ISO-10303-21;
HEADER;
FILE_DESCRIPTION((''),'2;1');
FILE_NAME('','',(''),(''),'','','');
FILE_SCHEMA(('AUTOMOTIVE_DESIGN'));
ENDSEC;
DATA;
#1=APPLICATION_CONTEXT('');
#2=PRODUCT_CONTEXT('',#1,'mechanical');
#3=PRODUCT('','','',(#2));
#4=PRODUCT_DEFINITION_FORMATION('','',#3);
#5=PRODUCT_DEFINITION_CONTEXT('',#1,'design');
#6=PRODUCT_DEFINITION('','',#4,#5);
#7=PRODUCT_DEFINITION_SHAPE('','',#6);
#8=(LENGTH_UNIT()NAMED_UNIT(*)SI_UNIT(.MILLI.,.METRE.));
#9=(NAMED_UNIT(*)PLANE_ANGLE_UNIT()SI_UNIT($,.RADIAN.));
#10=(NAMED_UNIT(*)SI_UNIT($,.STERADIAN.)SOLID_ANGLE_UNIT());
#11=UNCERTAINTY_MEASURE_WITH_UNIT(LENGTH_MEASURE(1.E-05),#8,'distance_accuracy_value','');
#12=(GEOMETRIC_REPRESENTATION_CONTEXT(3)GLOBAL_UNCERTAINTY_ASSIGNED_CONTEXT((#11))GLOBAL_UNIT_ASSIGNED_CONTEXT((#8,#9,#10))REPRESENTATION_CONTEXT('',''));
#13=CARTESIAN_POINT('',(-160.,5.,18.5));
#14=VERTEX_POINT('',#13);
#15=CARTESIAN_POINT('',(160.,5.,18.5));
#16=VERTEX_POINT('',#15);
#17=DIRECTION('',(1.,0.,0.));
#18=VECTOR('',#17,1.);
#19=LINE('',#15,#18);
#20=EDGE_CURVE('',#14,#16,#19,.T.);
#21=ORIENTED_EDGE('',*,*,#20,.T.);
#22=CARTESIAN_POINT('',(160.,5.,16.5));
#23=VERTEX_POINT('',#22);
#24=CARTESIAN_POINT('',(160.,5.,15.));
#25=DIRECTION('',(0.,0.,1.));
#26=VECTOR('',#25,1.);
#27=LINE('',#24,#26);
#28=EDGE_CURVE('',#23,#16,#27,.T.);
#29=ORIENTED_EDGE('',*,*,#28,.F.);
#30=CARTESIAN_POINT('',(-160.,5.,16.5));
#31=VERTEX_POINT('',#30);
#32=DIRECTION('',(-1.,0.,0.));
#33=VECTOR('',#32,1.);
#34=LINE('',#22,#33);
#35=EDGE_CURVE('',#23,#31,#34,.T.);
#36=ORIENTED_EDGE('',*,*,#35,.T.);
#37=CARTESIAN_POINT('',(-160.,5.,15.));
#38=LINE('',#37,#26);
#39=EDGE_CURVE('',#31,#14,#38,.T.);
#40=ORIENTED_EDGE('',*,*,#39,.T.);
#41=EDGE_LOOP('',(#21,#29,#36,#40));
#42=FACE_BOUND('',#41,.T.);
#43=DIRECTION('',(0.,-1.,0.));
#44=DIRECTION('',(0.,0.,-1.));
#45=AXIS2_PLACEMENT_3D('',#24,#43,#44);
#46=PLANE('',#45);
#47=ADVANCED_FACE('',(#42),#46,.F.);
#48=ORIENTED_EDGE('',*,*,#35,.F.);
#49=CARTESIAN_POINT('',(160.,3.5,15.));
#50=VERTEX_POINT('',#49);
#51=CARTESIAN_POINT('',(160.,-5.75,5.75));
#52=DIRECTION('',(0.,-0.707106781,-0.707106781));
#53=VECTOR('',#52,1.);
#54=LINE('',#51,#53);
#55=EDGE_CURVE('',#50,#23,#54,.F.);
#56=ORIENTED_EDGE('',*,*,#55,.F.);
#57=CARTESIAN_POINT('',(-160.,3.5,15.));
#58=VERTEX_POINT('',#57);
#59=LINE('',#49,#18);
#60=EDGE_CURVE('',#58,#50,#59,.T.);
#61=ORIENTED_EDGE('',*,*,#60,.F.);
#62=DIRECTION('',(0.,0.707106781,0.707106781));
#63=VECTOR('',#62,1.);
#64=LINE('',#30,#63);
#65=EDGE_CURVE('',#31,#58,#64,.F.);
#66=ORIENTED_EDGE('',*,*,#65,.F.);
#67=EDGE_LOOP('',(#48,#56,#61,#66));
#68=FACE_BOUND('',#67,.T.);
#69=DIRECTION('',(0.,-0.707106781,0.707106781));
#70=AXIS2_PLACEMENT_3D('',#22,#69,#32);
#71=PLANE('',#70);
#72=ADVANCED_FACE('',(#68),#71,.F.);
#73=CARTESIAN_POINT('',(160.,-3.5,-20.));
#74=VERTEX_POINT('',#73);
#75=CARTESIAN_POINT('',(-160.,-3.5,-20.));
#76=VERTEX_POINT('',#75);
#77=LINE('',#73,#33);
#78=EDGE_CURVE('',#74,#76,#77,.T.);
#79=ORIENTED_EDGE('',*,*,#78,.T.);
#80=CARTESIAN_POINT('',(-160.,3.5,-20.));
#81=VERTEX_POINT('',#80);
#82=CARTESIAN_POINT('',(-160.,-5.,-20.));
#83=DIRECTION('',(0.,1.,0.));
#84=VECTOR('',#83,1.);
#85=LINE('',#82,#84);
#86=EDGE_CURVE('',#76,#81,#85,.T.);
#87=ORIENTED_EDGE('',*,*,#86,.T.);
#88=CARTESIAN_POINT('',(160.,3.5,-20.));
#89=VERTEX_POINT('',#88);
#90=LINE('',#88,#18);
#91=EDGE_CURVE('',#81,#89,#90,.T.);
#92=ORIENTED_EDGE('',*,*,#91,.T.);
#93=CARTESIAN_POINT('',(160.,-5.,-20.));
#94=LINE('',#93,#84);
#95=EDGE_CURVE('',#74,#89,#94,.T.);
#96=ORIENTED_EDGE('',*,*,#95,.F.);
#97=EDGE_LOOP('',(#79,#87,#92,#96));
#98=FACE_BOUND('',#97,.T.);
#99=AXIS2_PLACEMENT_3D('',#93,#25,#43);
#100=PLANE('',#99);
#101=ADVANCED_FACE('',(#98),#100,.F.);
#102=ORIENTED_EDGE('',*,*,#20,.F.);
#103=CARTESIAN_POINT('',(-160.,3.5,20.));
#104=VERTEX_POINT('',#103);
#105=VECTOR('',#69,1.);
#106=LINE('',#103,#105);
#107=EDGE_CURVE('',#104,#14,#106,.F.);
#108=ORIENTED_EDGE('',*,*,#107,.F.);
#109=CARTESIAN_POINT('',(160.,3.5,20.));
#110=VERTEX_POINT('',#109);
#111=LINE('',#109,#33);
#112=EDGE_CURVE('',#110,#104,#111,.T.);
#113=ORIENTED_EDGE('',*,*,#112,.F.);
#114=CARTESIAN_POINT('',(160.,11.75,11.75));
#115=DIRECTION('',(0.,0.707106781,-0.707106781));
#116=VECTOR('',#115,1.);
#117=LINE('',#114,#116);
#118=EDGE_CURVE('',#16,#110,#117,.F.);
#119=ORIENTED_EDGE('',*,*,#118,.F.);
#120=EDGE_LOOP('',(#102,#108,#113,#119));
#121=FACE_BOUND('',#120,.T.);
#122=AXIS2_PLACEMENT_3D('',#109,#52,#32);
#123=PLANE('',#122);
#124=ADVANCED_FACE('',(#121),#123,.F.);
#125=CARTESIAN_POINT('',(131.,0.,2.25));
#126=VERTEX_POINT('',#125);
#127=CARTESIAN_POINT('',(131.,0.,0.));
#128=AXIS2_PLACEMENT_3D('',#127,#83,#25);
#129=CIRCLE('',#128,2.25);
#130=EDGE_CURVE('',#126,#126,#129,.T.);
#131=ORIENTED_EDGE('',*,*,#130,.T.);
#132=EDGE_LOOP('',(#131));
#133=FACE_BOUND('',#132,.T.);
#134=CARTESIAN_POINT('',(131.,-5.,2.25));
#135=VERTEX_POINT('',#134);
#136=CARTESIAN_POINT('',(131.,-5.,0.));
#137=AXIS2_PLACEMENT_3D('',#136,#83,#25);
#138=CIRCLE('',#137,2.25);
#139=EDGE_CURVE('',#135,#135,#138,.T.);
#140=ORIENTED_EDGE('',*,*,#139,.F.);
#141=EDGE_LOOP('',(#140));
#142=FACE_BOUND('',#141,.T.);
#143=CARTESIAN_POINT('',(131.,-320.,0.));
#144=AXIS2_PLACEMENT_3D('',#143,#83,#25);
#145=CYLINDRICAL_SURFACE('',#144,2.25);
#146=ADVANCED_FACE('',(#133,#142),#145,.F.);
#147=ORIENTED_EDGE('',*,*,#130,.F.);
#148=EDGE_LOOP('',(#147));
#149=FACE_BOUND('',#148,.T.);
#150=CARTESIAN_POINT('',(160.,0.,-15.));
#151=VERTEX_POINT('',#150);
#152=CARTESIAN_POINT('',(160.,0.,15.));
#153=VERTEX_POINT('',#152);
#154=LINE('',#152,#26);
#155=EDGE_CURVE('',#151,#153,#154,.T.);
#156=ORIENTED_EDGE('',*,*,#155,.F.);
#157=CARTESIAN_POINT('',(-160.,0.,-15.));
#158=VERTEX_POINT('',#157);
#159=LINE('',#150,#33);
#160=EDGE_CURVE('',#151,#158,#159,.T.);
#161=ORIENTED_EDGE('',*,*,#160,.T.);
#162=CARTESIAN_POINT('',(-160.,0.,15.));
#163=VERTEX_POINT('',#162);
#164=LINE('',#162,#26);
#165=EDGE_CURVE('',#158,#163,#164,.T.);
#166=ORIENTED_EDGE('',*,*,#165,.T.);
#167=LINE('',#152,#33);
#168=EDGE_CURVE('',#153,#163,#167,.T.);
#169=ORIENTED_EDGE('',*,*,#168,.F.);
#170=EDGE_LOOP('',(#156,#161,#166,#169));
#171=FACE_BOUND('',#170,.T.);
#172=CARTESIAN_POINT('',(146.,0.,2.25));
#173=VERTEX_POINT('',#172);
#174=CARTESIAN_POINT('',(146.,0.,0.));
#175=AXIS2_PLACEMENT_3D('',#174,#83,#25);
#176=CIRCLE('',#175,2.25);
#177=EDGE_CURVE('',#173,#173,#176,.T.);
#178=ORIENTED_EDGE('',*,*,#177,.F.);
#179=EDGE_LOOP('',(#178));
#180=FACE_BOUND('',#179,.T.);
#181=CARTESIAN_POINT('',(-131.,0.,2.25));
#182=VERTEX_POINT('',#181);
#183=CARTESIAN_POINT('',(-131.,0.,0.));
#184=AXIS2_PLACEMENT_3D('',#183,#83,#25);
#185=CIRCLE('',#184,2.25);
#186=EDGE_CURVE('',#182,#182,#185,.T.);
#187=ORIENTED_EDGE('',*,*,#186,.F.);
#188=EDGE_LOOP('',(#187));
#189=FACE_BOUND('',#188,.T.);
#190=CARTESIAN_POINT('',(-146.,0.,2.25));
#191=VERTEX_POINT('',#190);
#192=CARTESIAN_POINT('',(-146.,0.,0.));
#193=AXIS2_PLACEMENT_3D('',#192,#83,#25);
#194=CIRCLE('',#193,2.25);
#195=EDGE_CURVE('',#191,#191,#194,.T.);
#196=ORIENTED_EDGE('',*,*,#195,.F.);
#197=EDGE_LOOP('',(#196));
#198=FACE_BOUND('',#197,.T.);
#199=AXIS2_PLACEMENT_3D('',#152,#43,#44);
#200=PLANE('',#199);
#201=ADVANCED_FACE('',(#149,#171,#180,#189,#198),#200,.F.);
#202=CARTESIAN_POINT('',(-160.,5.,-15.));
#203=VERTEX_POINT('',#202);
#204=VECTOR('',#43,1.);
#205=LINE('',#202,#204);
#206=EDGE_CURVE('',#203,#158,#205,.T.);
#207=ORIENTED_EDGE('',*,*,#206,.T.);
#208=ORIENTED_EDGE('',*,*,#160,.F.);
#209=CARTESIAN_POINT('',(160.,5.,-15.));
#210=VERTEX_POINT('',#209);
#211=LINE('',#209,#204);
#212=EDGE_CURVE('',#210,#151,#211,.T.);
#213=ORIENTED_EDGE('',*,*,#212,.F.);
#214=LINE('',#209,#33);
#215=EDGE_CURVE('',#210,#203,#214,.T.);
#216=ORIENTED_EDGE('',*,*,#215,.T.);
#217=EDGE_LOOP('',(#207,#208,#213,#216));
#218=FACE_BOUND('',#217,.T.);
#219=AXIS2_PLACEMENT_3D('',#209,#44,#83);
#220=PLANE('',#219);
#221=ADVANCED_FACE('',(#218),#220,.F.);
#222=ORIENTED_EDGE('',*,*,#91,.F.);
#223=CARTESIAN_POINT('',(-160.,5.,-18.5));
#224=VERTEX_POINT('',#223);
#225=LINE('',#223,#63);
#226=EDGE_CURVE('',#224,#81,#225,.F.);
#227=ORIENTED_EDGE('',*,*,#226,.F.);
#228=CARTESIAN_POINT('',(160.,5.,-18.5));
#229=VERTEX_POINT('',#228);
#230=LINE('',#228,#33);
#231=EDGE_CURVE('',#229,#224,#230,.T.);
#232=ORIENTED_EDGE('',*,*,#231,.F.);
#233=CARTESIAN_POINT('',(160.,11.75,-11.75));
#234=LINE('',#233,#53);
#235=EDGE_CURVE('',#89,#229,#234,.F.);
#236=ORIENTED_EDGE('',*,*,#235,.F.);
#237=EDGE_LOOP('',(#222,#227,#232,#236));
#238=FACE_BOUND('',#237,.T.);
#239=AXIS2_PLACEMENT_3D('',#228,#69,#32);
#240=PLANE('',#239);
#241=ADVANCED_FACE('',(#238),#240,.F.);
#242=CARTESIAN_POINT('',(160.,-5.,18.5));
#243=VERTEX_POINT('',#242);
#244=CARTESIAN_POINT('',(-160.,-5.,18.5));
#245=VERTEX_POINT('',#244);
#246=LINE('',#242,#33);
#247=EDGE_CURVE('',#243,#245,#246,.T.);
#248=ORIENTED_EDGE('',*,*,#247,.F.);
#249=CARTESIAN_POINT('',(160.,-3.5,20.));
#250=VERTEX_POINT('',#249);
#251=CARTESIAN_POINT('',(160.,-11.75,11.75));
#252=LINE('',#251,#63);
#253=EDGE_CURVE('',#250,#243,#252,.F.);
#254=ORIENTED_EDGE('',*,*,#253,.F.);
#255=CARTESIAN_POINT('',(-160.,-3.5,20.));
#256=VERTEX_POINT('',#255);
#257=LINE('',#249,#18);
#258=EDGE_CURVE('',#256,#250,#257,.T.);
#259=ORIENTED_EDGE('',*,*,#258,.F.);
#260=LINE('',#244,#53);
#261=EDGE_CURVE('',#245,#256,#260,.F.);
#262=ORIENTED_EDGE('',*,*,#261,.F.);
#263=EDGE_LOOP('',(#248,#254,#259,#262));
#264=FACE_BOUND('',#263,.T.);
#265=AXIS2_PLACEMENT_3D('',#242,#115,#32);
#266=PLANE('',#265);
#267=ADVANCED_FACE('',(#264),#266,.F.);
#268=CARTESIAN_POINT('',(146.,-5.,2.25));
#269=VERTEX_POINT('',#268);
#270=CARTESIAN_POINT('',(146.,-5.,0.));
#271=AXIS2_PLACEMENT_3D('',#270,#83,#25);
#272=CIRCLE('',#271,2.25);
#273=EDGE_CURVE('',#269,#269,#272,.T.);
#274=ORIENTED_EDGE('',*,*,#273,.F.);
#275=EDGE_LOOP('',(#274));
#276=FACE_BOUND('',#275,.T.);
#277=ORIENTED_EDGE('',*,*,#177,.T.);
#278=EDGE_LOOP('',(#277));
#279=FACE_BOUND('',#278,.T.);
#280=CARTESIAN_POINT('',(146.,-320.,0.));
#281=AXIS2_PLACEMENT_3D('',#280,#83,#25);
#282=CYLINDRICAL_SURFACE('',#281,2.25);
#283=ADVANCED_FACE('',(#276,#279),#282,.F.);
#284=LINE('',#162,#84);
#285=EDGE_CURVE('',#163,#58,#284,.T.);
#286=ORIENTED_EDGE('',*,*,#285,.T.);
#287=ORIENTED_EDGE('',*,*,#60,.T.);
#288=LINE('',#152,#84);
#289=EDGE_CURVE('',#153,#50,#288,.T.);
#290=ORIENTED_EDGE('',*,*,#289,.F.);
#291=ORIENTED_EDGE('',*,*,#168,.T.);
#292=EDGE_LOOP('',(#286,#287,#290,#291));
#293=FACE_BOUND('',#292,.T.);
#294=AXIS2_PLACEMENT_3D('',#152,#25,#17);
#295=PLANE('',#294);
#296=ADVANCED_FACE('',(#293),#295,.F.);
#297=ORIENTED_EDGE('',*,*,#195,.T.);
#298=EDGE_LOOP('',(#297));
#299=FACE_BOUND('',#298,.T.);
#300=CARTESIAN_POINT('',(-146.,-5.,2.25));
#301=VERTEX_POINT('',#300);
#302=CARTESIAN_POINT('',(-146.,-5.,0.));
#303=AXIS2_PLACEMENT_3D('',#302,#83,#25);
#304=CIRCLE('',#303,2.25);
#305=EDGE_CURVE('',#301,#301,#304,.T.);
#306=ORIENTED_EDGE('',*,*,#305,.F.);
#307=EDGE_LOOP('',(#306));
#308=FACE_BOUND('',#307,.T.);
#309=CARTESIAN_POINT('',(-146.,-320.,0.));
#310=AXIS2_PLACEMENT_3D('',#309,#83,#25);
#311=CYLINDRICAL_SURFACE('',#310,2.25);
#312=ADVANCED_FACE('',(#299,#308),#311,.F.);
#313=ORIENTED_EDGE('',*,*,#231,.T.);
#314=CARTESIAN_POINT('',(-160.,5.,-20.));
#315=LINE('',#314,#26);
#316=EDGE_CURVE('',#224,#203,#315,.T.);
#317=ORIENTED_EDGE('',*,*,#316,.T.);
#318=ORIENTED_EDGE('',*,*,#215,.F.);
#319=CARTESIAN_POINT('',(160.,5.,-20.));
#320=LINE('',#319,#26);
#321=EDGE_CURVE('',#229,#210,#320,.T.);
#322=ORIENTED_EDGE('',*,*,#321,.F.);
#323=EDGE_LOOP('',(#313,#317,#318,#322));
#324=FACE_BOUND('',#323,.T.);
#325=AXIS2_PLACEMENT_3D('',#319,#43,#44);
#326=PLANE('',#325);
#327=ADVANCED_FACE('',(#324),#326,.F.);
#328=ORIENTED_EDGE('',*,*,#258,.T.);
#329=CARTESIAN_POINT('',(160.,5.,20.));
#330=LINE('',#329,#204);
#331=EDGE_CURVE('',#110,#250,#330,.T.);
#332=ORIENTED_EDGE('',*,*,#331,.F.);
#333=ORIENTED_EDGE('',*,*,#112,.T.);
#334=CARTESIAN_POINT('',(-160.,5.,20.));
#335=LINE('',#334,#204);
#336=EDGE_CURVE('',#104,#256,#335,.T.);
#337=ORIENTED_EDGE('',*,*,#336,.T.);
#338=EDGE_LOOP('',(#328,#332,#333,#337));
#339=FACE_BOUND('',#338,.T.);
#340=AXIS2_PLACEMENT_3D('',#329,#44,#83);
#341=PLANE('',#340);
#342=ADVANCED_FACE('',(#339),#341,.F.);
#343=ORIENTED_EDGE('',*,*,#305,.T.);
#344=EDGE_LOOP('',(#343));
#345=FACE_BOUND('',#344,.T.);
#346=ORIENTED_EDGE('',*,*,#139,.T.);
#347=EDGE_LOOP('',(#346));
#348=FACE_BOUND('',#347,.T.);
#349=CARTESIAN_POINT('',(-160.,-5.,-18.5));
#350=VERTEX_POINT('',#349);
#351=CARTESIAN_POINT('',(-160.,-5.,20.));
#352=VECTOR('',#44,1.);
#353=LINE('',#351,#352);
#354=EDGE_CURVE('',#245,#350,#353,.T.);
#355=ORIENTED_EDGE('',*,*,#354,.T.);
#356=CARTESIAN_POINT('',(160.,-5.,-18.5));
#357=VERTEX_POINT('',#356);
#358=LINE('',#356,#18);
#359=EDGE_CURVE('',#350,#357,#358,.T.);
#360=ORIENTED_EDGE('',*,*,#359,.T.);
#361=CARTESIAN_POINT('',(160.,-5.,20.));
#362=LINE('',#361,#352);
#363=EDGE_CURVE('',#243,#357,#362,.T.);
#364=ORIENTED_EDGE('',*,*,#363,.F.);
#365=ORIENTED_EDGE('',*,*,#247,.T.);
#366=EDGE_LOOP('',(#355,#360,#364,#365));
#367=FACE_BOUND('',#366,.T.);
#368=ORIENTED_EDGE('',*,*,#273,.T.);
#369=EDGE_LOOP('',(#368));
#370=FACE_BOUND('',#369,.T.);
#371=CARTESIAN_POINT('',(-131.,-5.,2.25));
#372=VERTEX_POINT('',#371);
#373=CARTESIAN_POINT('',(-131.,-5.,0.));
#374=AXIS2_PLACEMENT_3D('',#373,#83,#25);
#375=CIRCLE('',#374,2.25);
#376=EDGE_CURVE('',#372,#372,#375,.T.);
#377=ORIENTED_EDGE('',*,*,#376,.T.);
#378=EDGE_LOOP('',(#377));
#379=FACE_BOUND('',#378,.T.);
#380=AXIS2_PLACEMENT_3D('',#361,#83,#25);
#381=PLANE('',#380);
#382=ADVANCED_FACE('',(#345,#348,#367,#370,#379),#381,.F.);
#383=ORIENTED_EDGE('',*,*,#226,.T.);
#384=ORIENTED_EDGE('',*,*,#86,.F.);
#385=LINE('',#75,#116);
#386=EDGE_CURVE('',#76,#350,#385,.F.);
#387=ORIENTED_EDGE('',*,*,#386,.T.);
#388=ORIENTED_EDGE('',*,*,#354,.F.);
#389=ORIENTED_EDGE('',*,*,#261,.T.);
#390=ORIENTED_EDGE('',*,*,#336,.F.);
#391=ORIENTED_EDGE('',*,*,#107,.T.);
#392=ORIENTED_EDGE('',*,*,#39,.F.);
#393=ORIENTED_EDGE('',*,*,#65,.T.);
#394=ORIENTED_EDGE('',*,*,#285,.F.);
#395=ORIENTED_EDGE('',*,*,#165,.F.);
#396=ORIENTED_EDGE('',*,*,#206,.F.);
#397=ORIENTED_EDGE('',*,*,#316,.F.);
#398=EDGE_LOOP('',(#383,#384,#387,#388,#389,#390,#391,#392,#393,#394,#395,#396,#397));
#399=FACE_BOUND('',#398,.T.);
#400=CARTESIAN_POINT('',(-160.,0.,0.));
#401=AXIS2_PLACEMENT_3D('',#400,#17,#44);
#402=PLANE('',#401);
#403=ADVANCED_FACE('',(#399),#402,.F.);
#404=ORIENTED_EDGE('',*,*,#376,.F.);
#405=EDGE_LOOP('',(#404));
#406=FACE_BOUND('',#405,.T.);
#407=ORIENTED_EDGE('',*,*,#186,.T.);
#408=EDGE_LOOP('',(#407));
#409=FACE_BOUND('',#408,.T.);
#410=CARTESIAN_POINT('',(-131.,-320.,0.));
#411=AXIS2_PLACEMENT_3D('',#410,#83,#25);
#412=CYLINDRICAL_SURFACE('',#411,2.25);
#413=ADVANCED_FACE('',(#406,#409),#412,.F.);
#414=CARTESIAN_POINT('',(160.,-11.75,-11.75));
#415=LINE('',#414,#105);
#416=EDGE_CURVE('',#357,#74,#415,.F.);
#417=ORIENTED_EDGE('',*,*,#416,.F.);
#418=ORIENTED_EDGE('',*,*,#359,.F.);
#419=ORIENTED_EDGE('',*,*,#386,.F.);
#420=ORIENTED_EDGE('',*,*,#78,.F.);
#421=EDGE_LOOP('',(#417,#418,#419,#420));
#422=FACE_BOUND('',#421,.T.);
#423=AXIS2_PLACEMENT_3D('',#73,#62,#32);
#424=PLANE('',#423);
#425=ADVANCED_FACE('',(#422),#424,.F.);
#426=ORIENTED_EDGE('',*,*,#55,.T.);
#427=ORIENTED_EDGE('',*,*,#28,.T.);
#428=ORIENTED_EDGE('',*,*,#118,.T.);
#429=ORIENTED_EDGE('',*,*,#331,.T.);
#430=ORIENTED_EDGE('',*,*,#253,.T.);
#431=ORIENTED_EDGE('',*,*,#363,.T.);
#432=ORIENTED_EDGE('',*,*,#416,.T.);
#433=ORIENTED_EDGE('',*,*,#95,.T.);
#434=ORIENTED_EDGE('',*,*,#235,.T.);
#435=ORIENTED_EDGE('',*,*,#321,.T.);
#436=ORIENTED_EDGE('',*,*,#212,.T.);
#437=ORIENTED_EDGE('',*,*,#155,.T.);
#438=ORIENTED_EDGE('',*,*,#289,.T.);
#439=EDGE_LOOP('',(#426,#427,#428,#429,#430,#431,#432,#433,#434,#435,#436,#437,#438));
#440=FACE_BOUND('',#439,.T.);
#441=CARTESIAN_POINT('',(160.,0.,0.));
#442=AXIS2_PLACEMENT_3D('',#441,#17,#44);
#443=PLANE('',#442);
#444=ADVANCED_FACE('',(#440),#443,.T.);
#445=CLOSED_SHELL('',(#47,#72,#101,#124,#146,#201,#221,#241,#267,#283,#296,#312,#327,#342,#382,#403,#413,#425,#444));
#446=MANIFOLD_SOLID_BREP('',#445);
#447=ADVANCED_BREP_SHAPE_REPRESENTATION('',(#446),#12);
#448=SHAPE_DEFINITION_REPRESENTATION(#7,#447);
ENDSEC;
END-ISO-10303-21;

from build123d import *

# Parameters (mm, degrees)
SALIENTE_EXTRUIR1_DEPTH = 160
CHAFL_N1_SIZE           = 1.5
CROQUIS2_R              = 2.25
CORTAR_EXTRUIR1_DEPTH   = 320


with BuildPart() as part:
    # Croquis1 → Saliente-Extruir1 (new body, symmetric)
    with BuildSketch(Plane(origin=(0, 0, 0), x_dir=(0, 0, -1), z_dir=(1, 0, 0))):
        Polygon((-15, 0), (15, 0), (15, 5), (20, 5), (20, -5), (-20, -5), (-20, 5), (-15, 5), align=None)
    extrude(amount=SALIENTE_EXTRUIR1_DEPTH, both=True)

    # Chaflán1
    chafl_n1_edges = [part.edges().sort_by_distance(p)[0] for p in [
        (0, 5, -20),
        (0, -5, -20),
        (0, -5, 20),
        (0, 5, 20),
        (0, 5, 15),
    ]]
    chamfer(chafl_n1_edges, length=CHAFL_N1_SIZE)

    # Croquis2 → Cortar-Extruir1 (cut)
    with BuildSketch(Plane(origin=(0, 0, 0), x_dir=(1, 0, 0), z_dir=(0, 1, 0))):
        with Locations((-146, 0)):
            Circle(CROQUIS2_R)
        with Locations((-131, 0)):
            Circle(CROQUIS2_R)
        with Locations((131, 0)):
            Circle(CROQUIS2_R)
        with Locations((146, 0)):
            Circle(CROQUIS2_R)
    extrude(amount=-CORTAR_EXTRUIR1_DEPTH, mode=Mode.SUBTRACT)


solid = part.part
